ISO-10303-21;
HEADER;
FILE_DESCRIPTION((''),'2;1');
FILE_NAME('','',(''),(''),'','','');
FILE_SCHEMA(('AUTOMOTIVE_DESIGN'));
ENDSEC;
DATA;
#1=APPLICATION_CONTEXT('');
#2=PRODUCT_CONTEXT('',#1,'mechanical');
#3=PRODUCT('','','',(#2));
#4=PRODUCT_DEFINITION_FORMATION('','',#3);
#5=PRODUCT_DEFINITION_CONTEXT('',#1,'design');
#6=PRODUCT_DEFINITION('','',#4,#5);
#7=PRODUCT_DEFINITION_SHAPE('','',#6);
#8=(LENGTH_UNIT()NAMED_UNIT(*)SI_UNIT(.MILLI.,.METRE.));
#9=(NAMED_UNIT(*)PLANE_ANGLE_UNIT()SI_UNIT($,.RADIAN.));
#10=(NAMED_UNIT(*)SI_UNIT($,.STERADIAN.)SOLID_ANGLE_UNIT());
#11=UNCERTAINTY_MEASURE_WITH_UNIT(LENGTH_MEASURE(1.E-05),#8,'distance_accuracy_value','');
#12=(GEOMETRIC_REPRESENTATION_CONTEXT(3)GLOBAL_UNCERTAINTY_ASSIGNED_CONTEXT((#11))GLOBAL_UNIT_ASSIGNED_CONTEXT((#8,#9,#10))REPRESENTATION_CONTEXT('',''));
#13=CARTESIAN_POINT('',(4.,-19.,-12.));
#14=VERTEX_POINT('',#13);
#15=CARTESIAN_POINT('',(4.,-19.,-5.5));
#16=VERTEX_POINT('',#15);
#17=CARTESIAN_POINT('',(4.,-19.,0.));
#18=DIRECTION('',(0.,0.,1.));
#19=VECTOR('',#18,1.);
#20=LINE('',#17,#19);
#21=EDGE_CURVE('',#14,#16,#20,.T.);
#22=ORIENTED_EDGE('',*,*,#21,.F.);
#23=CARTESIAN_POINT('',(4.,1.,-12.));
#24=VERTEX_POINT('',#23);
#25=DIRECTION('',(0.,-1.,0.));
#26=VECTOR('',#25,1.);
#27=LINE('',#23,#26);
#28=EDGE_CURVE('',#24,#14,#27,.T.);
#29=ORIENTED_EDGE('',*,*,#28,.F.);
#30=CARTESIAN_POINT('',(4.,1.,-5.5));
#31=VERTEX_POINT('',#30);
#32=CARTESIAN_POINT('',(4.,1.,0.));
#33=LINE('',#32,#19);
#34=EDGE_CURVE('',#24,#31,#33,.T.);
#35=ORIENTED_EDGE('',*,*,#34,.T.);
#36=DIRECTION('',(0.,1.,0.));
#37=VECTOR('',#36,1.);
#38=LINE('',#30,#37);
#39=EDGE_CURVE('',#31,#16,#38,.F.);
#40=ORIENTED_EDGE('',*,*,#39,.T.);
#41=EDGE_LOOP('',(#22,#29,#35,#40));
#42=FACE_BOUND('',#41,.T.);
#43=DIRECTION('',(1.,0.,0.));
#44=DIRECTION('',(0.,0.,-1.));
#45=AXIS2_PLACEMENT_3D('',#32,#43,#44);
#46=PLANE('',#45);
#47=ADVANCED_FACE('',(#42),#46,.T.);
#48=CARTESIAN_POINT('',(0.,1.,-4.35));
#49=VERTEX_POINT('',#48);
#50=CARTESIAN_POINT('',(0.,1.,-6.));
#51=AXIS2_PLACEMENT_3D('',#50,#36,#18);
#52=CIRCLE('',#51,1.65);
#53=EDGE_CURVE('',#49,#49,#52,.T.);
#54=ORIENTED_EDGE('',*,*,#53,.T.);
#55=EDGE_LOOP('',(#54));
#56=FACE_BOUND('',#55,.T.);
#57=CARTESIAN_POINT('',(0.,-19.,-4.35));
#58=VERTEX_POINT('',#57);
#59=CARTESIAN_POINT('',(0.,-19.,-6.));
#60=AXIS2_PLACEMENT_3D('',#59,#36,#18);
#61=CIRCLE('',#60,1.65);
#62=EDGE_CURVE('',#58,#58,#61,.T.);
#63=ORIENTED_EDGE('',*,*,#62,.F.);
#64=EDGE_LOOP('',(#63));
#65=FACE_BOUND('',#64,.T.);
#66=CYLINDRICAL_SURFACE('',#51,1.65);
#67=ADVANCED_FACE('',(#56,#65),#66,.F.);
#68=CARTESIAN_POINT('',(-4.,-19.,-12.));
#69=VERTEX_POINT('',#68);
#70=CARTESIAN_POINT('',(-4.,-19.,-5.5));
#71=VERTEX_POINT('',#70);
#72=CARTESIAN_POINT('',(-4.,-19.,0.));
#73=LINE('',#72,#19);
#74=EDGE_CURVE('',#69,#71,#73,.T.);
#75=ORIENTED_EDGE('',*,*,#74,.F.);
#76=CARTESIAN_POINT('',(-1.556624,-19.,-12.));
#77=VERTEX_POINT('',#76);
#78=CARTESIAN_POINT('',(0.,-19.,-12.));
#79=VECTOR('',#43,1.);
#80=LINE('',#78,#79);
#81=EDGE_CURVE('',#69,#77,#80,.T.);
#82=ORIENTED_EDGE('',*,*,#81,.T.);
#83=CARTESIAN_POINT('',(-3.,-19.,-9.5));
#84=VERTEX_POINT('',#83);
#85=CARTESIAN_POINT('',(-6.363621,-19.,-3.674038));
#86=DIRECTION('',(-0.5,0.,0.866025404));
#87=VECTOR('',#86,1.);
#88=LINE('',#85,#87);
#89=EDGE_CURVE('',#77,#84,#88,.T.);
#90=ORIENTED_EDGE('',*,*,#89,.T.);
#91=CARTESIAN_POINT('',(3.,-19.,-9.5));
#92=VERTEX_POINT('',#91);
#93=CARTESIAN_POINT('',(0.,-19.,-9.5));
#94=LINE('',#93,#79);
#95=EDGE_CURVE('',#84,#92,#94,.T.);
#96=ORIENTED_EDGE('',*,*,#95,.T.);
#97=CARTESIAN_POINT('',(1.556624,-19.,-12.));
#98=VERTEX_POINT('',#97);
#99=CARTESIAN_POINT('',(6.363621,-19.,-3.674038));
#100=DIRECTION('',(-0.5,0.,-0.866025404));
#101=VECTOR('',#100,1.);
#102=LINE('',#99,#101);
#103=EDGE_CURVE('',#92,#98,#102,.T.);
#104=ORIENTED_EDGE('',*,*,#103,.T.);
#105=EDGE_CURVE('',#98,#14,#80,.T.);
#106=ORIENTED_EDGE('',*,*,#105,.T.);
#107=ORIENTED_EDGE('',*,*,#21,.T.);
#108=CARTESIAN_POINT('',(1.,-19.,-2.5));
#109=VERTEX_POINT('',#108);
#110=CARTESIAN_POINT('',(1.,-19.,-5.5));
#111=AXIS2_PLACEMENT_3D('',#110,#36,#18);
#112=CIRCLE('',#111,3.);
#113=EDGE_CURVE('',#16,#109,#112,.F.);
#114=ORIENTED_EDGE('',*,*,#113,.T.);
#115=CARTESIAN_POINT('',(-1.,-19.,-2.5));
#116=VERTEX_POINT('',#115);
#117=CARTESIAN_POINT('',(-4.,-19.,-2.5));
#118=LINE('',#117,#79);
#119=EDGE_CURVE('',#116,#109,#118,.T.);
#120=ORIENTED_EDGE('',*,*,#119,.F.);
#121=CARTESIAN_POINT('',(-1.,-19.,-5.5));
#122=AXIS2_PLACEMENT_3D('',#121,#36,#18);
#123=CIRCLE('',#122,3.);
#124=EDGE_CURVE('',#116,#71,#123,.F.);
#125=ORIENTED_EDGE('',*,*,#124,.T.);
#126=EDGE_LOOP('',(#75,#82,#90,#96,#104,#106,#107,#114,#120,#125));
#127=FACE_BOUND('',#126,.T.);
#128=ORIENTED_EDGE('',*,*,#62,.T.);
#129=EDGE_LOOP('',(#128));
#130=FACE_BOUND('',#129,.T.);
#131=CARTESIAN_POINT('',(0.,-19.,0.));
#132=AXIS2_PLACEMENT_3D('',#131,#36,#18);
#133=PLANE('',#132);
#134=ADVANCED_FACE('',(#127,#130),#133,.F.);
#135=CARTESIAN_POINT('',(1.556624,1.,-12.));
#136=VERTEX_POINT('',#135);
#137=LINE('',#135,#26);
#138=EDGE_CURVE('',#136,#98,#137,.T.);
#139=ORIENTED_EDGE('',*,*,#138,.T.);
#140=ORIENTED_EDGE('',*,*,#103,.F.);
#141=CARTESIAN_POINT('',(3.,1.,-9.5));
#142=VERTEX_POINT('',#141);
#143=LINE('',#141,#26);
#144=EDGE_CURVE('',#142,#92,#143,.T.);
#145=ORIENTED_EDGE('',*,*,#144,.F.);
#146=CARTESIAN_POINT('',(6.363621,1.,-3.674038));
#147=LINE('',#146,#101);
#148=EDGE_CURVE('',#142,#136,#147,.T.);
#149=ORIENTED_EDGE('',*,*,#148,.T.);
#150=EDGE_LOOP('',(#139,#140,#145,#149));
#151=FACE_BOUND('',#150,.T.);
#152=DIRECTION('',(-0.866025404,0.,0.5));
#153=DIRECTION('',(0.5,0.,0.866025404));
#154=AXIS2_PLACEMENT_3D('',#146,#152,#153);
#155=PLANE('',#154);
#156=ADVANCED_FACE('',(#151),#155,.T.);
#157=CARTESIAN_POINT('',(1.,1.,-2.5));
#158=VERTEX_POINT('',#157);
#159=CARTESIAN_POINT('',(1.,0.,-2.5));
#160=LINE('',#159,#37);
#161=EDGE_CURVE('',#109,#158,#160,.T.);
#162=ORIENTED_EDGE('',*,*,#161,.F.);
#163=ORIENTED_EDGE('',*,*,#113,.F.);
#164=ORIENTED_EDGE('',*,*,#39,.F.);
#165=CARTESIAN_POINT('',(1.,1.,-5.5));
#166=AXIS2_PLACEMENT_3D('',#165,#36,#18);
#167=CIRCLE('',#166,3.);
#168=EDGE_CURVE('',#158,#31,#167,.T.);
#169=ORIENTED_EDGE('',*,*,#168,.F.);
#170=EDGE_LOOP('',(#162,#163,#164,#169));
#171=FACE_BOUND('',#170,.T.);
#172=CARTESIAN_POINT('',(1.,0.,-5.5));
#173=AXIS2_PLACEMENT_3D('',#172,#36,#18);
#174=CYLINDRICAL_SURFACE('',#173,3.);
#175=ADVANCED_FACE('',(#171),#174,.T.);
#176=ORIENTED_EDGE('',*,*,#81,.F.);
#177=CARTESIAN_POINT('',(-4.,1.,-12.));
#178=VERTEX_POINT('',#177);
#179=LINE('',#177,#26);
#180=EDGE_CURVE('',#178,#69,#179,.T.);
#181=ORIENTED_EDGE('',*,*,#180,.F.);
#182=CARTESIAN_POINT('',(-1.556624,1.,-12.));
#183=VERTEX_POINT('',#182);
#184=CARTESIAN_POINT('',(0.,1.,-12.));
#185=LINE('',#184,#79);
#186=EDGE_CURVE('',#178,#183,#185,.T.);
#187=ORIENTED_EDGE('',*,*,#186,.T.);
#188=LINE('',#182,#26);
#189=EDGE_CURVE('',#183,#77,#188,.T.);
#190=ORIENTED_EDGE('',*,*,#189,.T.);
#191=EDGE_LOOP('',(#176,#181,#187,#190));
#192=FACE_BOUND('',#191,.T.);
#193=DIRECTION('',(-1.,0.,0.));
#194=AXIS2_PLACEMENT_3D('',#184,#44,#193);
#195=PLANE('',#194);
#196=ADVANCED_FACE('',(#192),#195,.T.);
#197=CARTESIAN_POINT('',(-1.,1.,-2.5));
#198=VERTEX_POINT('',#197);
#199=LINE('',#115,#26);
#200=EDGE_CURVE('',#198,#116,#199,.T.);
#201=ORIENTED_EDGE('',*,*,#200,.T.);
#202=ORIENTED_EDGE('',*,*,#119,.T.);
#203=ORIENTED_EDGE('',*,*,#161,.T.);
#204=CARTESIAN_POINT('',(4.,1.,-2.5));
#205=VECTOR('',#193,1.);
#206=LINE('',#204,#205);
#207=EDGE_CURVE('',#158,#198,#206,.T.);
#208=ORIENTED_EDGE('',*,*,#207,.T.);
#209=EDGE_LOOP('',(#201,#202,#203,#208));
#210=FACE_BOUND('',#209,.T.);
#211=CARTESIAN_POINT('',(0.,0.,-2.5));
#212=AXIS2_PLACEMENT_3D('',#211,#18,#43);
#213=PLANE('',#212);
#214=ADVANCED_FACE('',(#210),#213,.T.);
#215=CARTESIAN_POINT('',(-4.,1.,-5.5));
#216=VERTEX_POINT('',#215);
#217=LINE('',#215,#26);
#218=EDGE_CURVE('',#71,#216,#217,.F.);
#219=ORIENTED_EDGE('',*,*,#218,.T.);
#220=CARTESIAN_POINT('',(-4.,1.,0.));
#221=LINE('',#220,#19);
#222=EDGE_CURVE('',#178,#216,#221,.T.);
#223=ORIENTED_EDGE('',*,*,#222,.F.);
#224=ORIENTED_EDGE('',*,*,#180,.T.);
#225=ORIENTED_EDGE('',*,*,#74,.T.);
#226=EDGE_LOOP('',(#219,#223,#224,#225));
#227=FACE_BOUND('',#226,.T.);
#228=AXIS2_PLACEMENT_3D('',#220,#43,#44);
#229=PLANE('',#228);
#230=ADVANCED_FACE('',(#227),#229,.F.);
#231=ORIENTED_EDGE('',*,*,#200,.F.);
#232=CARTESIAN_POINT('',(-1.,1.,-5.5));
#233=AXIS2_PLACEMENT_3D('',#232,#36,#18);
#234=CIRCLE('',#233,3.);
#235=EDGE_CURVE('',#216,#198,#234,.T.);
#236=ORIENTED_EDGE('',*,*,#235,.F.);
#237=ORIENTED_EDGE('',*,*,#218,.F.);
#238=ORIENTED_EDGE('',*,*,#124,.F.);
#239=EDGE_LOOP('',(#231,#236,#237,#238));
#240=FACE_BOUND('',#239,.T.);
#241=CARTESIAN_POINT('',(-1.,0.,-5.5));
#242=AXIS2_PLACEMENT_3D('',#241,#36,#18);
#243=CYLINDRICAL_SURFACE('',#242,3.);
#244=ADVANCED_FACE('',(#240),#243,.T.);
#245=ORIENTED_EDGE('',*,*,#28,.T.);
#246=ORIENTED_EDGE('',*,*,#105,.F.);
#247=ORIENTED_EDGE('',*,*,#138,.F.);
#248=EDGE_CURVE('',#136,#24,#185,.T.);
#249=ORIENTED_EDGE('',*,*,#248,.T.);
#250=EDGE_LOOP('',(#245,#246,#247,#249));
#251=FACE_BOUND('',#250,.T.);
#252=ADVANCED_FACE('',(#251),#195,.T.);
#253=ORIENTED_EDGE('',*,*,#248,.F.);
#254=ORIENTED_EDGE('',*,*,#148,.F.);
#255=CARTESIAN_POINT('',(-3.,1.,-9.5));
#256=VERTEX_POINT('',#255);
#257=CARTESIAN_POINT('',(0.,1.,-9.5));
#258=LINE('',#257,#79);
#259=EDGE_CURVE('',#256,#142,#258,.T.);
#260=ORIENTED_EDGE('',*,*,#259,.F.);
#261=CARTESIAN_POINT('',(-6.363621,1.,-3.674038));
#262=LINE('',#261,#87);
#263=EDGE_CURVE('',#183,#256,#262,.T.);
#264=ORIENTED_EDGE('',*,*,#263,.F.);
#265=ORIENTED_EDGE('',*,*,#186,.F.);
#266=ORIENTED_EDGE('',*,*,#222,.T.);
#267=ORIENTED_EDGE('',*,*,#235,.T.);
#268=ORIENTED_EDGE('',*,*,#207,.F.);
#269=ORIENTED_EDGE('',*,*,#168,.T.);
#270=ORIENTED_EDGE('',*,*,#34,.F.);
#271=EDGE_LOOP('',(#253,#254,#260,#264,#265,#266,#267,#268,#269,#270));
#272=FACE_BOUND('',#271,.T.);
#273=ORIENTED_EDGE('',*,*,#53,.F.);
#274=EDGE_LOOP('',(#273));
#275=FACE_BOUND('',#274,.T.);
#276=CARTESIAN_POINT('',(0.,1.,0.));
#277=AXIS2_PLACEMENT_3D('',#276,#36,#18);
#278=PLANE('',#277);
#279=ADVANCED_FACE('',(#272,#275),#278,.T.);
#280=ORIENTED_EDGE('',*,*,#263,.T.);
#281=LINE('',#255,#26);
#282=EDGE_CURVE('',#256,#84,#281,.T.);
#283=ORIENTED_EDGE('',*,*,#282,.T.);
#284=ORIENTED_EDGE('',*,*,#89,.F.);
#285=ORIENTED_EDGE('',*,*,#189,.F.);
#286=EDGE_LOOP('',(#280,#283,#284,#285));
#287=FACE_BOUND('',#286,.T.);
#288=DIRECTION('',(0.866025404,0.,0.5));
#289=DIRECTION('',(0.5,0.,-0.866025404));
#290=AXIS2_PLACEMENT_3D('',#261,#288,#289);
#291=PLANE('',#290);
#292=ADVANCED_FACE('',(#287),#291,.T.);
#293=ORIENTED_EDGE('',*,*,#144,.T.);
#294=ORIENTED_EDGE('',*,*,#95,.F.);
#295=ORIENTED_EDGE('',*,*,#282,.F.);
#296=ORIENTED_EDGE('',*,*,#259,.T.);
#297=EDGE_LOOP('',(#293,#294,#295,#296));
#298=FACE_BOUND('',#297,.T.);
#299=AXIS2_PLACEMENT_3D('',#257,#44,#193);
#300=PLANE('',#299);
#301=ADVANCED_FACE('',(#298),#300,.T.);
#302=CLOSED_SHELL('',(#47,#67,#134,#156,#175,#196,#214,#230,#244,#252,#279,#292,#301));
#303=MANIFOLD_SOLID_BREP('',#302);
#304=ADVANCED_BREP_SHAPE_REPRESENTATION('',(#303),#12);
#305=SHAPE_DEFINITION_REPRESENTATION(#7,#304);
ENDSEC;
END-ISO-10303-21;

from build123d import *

# Parameters (mm, degrees)
UPPER_23_W                      = 2.5
UPPER_23_H                      = 1
BOSS_EXTRUDE9_DEPTH             = 20
SKETCH50_W                      = 8
SKETCH50_H                      = 20
BOSS_EXTRUDE10_DEPTH            = 6
TAP_DRILL_FOR_M4X0_7_TAP2_D     = 3.3
TAP_DRILL_FOR_M4X0_7_TAP2_DEPTH = 20
FILLET1_R                       = 3


with BuildPart() as part:
    # upper_23 → Boss-Extrude9 (new body)
    with BuildSketch(Plane(origin=(0, -19, 0), x_dir=(1, 0, 0), z_dir=(0, 1, 0))):
        Polygon((-4, 12), (-4, 9.5), (-3, 9.5), (-1.556624327, 12), align=None)
        Polygon((-3, 9.5), (-4, 9.5), (-4, 8.5), (-1.25, 8.5), (-1.25, 9.5), (-2.5, 9.5), align=None)
        with Locations((0, 9)):
            Rectangle(UPPER_23_W, UPPER_23_H)
        Polygon((4, 8.5), (4, 9.5), (3, 9.5), (2.5, 9.5), (1.25, 9.5), (1.25, 8.5), align=None)
        Polygon((3, 9.5), (4, 9.5), (4, 12), (1.556624327, 12), align=None)
    extrude(amount=BOSS_EXTRUDE9_DEPTH)

    # Sketch50 → Boss-Extrude10 (add)
    with BuildSketch(Plane.XY.offset(-8.5)):
        with Locations((0, -9)):
            Rectangle(SKETCH50_W, SKETCH50_H)
    extrude(amount=BOSS_EXTRUDE10_DEPTH)

    # Tap Drill for M4x0.7 Tap2
    with Locations(Plane(origin=(0, 1, 0), x_dir=(1, 0, 0), z_dir=(0, 1, 0))):
        with Locations((0, 6)):
            Hole(TAP_DRILL_FOR_M4X0_7_TAP2_D / 2, depth=TAP_DRILL_FOR_M4X0_7_TAP2_DEPTH)

    # Fillet1
    fillet1_edges = [part.edges().sort_by_distance(p)[0] for p in [
        (-4, -9, -2.5),
        (4, -9, -2.5),
    ]]
    fillet(fillet1_edges, radius=FILLET1_R)


solid = part.part
